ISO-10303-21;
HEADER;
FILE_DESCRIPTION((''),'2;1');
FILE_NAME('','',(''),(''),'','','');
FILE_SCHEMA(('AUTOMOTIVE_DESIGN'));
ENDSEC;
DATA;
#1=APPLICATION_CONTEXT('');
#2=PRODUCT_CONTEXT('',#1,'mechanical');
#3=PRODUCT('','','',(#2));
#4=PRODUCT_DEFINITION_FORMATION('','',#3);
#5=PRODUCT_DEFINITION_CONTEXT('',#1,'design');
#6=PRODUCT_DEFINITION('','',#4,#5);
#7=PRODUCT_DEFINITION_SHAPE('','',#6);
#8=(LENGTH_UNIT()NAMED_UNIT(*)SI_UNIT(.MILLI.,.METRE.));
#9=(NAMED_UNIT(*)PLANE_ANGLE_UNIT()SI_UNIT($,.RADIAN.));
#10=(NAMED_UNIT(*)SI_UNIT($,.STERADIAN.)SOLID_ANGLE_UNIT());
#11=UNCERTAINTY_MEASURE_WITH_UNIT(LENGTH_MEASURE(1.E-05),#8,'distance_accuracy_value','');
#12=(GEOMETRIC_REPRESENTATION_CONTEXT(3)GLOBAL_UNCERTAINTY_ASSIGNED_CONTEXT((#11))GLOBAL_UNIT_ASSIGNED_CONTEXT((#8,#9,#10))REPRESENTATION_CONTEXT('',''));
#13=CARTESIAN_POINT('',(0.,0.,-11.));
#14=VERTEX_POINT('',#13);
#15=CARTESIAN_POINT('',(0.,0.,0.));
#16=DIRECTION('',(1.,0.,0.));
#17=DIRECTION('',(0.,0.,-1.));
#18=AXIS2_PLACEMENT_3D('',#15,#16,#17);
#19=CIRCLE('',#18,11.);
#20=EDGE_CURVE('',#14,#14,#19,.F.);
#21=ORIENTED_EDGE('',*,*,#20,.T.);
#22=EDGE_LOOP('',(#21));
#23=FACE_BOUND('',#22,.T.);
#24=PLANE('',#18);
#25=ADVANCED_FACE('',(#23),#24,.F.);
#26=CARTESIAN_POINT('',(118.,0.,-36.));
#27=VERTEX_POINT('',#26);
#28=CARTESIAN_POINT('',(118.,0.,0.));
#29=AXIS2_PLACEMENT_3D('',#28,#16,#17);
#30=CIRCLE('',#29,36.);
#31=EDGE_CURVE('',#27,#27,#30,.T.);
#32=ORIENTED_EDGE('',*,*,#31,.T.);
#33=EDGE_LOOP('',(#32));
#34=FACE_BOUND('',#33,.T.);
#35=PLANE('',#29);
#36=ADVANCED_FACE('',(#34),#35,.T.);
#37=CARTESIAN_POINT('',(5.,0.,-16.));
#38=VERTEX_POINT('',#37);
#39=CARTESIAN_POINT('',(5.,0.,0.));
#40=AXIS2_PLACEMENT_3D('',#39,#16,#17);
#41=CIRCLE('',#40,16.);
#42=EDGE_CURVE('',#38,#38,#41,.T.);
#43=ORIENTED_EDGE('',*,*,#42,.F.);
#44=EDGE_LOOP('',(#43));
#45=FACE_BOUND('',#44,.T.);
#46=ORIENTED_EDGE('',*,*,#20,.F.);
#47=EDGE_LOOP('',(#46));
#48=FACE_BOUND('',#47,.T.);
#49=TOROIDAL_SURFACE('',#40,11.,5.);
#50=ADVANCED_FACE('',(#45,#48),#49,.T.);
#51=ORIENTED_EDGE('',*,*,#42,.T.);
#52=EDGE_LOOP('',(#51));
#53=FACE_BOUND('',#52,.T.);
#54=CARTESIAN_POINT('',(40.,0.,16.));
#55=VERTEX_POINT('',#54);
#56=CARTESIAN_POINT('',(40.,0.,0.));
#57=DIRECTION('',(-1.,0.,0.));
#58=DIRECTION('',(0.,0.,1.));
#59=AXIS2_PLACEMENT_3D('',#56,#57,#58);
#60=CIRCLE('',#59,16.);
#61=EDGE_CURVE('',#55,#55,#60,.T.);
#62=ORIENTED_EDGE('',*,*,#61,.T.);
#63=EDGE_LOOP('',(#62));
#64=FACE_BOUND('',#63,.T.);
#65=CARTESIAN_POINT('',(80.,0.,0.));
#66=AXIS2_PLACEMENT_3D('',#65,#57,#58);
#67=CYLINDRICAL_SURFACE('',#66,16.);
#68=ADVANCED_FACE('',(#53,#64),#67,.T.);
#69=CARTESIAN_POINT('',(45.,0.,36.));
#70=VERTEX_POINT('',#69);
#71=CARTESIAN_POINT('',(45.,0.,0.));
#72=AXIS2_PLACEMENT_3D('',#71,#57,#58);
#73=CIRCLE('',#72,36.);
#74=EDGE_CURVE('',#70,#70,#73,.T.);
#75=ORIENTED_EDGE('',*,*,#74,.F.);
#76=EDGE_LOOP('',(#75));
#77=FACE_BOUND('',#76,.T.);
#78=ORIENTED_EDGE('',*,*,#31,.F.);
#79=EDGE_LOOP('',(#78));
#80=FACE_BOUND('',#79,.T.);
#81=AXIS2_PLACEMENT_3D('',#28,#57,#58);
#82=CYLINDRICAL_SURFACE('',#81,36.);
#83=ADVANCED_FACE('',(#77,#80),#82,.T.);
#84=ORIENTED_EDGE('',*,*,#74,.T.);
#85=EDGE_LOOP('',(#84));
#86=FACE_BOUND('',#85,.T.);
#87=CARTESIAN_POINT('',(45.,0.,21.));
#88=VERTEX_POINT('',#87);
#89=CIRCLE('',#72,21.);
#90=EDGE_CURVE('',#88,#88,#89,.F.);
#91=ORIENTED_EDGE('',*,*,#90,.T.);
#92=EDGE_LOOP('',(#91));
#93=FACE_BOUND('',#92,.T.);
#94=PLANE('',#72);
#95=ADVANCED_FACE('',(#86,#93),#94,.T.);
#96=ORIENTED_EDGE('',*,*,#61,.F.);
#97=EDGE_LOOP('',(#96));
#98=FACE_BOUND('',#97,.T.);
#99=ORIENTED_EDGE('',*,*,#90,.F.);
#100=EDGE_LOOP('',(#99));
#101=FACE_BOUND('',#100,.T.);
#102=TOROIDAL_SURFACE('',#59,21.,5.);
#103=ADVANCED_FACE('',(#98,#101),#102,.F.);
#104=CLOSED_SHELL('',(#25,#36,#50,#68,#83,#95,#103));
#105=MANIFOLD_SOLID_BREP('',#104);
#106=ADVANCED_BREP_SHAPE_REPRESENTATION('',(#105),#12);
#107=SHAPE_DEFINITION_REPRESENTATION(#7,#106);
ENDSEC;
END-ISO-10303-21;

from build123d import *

# Parameters (mm, degrees)
SKETCH3_R           = 16
BOSS_EXTRUDE1_DEPTH = 80
SKETCH4_R           = 36
BOSS_EXTRUDE2_DEPTH = 38
SKETCH6_R           = 36
SKETCH6_R_2         = 16
BOSS_EXTRUDE3_DEPTH = 35
FILLET1_R           = 5


with BuildPart() as part:
    # Sketch3 → Boss-Extrude1 (new body)
    with BuildSketch(Plane(origin=(0, 0, 0), x_dir=(0, 0, -1), z_dir=(1, 0, 0))):
        Circle(SKETCH3_R)
    extrude(amount=BOSS_EXTRUDE1_DEPTH)

    # Sketch4 → Boss-Extrude2 (add)
    with BuildSketch(Plane(origin=(80, 0, 0), x_dir=(0, 0, -1), z_dir=(1, 0, 0))):
        Circle(SKETCH4_R)
    extrude(amount=BOSS_EXTRUDE2_DEPTH)

    # Sketch6 → Boss-Extrude3 (add)
    with BuildSketch(Plane.ZY.offset(-80)):
        Circle(SKETCH6_R)
        Circle(SKETCH6_R_2, mode=Mode.SUBTRACT)
    extrude(amount=BOSS_EXTRUDE3_DEPTH)

    # Fillet1
    fillet1_edges = [part.edges().sort_by_distance(p)[0] for p in [
        (45, 0, 16),
        (0, 0, 16),
    ]]
    fillet(fillet1_edges, radius=FILLET1_R)


solid = part.part
